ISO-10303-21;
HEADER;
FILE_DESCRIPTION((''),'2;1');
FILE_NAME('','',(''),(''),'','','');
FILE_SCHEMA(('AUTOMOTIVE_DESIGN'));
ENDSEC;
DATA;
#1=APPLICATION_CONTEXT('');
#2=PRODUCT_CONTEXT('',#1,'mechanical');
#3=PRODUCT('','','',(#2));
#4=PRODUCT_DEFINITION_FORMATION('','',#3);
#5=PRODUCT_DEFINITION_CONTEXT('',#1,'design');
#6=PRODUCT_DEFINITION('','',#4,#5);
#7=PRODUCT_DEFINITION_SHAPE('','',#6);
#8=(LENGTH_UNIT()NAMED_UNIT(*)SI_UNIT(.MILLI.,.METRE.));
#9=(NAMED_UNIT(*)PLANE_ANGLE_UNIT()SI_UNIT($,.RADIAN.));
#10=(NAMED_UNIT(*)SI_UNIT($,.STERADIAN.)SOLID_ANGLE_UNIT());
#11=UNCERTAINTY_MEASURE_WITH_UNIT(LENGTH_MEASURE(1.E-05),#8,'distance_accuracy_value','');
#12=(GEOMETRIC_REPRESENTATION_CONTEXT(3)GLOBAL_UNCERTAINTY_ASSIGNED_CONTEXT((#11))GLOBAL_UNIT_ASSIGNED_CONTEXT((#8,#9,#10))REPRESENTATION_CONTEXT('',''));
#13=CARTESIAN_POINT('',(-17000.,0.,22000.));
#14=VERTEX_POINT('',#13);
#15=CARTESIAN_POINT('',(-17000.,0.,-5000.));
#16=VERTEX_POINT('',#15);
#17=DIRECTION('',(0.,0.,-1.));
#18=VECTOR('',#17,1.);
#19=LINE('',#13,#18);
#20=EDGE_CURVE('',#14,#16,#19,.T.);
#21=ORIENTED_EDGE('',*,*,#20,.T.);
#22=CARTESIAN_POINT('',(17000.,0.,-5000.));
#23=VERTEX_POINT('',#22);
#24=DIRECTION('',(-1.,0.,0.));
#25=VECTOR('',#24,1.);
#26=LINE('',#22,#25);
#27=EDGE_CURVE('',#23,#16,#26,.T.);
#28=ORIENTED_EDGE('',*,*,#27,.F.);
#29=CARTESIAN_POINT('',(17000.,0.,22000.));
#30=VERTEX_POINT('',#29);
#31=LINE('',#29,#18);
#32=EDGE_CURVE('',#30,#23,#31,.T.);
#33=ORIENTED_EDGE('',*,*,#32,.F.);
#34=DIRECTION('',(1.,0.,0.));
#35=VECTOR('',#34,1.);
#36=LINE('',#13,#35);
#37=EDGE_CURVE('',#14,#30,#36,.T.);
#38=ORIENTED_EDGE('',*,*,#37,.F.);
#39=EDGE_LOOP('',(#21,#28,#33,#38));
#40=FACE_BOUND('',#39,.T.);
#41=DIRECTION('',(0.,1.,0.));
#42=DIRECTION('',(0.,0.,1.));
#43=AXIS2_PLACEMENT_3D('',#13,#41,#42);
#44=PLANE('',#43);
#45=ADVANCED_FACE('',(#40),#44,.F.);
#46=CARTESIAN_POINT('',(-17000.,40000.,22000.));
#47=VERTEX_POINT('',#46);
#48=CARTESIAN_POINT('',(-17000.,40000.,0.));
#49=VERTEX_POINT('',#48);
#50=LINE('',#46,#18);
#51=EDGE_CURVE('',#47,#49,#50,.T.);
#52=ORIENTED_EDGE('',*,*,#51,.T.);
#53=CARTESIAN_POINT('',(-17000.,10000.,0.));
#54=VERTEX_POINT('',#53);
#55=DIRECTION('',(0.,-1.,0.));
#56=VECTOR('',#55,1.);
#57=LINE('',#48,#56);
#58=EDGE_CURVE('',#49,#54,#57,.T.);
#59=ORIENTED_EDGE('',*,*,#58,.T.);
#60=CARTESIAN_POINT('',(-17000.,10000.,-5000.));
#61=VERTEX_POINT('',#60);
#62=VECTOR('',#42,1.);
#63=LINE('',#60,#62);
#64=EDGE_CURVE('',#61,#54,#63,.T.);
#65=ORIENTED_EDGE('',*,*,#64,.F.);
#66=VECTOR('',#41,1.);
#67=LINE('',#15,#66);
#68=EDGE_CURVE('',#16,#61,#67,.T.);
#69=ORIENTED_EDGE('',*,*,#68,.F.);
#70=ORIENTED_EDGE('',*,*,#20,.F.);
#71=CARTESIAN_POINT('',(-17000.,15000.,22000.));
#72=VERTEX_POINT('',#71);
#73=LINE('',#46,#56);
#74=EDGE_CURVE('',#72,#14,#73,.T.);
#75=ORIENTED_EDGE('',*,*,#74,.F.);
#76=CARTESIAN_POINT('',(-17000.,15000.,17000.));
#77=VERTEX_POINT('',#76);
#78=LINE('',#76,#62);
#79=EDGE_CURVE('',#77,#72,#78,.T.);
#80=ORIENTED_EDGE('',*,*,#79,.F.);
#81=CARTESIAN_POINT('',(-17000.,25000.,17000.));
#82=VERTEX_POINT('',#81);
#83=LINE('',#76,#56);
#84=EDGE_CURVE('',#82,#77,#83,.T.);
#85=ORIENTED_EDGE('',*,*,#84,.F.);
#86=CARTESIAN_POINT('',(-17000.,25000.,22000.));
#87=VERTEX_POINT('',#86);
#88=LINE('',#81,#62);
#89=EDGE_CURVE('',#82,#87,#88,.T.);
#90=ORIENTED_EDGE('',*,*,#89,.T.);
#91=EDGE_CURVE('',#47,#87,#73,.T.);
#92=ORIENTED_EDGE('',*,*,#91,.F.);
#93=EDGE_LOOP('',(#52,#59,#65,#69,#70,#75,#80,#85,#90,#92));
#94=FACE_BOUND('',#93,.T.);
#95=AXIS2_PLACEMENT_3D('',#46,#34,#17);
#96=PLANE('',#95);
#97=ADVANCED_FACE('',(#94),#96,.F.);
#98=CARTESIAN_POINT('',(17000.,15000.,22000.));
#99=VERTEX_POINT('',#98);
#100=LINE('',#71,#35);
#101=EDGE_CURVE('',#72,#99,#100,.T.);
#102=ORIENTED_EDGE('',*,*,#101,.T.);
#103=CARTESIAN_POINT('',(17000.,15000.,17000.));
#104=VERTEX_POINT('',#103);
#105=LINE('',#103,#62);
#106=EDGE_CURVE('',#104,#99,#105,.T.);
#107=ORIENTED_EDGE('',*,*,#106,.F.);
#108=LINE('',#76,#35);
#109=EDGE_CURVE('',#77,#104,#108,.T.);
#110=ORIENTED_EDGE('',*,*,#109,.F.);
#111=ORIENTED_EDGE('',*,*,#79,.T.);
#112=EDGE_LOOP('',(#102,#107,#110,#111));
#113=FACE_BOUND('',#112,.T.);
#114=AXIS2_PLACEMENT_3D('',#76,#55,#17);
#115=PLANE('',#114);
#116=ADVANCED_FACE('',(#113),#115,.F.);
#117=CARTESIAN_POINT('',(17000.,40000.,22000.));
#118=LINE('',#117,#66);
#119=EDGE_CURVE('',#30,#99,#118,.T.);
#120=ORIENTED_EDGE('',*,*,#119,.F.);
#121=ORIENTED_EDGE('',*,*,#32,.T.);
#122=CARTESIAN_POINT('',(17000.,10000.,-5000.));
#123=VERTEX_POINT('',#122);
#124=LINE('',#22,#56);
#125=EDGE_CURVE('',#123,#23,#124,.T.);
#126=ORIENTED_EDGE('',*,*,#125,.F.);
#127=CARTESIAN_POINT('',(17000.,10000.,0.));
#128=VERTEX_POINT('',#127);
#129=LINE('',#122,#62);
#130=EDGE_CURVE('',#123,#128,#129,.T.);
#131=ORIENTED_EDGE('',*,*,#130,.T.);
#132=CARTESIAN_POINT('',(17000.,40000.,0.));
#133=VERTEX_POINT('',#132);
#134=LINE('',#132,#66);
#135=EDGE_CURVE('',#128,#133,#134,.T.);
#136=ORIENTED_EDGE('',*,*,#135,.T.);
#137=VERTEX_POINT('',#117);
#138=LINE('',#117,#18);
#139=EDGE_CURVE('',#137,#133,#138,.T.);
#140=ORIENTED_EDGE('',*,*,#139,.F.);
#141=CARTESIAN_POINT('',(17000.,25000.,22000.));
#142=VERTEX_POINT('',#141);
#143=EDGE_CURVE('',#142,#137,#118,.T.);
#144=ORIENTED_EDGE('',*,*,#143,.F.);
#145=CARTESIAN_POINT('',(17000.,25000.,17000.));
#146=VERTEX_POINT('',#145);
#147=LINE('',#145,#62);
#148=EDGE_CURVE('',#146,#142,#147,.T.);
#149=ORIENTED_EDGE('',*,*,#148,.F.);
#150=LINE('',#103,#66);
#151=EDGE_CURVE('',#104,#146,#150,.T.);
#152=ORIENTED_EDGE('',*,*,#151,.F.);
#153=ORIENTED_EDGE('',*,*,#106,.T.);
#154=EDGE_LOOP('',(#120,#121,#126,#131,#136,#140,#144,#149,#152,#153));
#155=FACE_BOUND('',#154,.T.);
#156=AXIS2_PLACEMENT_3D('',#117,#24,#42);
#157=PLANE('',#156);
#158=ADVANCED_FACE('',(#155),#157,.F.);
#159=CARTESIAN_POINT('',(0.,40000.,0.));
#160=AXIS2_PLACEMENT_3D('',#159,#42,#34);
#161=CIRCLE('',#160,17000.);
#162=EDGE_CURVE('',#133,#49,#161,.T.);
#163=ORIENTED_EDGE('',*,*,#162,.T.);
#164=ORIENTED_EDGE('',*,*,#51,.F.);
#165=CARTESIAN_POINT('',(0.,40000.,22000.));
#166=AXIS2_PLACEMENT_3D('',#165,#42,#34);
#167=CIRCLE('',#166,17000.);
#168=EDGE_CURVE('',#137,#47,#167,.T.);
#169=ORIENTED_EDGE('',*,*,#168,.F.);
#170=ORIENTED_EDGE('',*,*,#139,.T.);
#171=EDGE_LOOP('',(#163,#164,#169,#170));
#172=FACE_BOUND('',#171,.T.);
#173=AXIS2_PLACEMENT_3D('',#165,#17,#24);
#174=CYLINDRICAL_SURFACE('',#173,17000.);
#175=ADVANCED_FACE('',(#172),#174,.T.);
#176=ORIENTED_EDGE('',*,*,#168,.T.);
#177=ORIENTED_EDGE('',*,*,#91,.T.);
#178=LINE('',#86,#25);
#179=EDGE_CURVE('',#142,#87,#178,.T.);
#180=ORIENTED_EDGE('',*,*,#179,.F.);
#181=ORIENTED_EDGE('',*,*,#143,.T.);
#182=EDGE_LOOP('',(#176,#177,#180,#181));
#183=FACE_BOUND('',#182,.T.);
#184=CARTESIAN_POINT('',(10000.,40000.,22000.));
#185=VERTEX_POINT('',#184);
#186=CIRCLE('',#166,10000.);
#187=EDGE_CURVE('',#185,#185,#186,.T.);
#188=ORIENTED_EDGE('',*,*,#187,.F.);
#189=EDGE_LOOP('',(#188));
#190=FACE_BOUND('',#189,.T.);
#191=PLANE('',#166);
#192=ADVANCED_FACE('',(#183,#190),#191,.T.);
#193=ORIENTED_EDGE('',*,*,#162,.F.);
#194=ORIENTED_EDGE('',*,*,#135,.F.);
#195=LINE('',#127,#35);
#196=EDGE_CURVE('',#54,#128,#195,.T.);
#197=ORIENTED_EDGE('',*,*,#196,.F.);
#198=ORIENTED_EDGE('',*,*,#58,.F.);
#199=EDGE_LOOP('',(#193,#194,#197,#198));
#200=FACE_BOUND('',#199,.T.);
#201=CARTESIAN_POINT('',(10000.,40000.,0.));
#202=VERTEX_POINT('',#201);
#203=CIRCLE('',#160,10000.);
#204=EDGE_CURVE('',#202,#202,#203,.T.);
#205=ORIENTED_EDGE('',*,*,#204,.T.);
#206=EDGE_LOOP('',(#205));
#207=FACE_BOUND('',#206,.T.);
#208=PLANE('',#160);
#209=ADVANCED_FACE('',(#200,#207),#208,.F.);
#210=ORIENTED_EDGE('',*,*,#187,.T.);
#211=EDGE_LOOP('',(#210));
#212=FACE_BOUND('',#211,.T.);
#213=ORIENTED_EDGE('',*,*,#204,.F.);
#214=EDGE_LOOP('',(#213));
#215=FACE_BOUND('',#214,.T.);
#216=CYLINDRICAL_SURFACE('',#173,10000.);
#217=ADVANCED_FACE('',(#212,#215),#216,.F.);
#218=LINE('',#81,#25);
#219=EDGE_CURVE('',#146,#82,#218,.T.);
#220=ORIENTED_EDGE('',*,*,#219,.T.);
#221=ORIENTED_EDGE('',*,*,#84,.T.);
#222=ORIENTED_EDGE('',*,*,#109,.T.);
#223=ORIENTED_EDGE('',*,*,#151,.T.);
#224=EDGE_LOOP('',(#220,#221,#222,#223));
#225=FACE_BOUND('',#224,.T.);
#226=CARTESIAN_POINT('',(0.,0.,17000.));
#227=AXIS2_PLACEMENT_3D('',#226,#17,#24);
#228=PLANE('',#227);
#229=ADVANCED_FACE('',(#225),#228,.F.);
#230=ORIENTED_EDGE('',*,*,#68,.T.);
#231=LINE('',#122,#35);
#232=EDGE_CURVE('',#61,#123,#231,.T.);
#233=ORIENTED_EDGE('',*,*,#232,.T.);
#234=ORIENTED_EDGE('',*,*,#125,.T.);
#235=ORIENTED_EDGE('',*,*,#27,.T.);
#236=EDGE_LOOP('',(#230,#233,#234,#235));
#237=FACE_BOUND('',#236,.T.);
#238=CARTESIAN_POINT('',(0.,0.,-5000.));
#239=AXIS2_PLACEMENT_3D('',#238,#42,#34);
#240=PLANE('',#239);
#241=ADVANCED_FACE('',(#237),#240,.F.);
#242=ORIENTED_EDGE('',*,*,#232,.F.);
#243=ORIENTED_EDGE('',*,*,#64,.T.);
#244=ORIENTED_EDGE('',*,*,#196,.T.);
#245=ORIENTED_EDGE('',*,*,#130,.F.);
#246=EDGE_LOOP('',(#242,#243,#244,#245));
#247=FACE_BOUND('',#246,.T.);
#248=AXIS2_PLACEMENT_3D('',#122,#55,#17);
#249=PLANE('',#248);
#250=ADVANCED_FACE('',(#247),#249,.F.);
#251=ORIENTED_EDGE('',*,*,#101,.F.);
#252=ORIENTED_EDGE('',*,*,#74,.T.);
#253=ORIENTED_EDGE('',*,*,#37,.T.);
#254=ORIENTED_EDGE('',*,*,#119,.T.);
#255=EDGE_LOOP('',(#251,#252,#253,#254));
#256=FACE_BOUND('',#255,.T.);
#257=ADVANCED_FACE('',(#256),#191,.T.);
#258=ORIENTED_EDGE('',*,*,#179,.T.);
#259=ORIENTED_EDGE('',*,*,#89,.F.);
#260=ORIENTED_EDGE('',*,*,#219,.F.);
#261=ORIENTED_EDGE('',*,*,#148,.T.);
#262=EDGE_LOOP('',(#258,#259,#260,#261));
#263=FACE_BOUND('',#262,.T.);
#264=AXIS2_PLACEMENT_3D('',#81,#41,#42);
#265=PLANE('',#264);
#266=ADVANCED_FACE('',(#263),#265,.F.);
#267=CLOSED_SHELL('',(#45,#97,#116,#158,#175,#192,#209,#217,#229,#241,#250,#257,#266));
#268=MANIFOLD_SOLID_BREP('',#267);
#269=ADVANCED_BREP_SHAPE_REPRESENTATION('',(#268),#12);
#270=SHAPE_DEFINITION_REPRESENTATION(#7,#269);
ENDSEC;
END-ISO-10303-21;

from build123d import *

# Parameters (mm, degrees)
SKETCH1_R           = 10000
BOSS_EXTRUDE1_DEPTH = 22000
SKETCH2_W           = 34000
SKETCH2_H           = 10000
CUT_EXTRUDE1_DEPTH  = 5000
SKETCH3_W           = 34000
SKETCH3_H           = 10000
BOSS_EXTRUDE2_DEPTH = 5000


with BuildPart() as part:
    # Sketch1 → Boss-Extrude1 (new body)
    with BuildSketch(Plane.XY):
        with BuildLine():
            Line((-17000, 0), (17000, 0))
            Line((17000, 0), (17000, 40000))
            ThreePointArc((17000, 40000), (0, 57000), (-17000, 40000))
            Line((-17000, 40000), (-17000, 0))
        make_face()
        with Locations((0, 40000)):
            Circle(SKETCH1_R, mode=Mode.SUBTRACT)
    extrude(amount=BOSS_EXTRUDE1_DEPTH)

    # Sketch2 → Cut-Extrude1 (cut)
    with BuildSketch(Plane.XY.offset(22000)):
        with Locations((0, 20000)):
            Rectangle(SKETCH2_W, SKETCH2_H)
    extrude(amount=-CUT_EXTRUDE1_DEPTH, mode=Mode.SUBTRACT)

    # Sketch3 → Boss-Extrude2 (add)
    with BuildSketch(Plane(origin=(0, 0, 0), x_dir=(-1, 0, 0), z_dir=(0, 0, -1))):
        with Locations((0, 5000)):
            Rectangle(SKETCH3_W, SKETCH3_H)
    extrude(amount=BOSS_EXTRUDE2_DEPTH)


solid = part.part
